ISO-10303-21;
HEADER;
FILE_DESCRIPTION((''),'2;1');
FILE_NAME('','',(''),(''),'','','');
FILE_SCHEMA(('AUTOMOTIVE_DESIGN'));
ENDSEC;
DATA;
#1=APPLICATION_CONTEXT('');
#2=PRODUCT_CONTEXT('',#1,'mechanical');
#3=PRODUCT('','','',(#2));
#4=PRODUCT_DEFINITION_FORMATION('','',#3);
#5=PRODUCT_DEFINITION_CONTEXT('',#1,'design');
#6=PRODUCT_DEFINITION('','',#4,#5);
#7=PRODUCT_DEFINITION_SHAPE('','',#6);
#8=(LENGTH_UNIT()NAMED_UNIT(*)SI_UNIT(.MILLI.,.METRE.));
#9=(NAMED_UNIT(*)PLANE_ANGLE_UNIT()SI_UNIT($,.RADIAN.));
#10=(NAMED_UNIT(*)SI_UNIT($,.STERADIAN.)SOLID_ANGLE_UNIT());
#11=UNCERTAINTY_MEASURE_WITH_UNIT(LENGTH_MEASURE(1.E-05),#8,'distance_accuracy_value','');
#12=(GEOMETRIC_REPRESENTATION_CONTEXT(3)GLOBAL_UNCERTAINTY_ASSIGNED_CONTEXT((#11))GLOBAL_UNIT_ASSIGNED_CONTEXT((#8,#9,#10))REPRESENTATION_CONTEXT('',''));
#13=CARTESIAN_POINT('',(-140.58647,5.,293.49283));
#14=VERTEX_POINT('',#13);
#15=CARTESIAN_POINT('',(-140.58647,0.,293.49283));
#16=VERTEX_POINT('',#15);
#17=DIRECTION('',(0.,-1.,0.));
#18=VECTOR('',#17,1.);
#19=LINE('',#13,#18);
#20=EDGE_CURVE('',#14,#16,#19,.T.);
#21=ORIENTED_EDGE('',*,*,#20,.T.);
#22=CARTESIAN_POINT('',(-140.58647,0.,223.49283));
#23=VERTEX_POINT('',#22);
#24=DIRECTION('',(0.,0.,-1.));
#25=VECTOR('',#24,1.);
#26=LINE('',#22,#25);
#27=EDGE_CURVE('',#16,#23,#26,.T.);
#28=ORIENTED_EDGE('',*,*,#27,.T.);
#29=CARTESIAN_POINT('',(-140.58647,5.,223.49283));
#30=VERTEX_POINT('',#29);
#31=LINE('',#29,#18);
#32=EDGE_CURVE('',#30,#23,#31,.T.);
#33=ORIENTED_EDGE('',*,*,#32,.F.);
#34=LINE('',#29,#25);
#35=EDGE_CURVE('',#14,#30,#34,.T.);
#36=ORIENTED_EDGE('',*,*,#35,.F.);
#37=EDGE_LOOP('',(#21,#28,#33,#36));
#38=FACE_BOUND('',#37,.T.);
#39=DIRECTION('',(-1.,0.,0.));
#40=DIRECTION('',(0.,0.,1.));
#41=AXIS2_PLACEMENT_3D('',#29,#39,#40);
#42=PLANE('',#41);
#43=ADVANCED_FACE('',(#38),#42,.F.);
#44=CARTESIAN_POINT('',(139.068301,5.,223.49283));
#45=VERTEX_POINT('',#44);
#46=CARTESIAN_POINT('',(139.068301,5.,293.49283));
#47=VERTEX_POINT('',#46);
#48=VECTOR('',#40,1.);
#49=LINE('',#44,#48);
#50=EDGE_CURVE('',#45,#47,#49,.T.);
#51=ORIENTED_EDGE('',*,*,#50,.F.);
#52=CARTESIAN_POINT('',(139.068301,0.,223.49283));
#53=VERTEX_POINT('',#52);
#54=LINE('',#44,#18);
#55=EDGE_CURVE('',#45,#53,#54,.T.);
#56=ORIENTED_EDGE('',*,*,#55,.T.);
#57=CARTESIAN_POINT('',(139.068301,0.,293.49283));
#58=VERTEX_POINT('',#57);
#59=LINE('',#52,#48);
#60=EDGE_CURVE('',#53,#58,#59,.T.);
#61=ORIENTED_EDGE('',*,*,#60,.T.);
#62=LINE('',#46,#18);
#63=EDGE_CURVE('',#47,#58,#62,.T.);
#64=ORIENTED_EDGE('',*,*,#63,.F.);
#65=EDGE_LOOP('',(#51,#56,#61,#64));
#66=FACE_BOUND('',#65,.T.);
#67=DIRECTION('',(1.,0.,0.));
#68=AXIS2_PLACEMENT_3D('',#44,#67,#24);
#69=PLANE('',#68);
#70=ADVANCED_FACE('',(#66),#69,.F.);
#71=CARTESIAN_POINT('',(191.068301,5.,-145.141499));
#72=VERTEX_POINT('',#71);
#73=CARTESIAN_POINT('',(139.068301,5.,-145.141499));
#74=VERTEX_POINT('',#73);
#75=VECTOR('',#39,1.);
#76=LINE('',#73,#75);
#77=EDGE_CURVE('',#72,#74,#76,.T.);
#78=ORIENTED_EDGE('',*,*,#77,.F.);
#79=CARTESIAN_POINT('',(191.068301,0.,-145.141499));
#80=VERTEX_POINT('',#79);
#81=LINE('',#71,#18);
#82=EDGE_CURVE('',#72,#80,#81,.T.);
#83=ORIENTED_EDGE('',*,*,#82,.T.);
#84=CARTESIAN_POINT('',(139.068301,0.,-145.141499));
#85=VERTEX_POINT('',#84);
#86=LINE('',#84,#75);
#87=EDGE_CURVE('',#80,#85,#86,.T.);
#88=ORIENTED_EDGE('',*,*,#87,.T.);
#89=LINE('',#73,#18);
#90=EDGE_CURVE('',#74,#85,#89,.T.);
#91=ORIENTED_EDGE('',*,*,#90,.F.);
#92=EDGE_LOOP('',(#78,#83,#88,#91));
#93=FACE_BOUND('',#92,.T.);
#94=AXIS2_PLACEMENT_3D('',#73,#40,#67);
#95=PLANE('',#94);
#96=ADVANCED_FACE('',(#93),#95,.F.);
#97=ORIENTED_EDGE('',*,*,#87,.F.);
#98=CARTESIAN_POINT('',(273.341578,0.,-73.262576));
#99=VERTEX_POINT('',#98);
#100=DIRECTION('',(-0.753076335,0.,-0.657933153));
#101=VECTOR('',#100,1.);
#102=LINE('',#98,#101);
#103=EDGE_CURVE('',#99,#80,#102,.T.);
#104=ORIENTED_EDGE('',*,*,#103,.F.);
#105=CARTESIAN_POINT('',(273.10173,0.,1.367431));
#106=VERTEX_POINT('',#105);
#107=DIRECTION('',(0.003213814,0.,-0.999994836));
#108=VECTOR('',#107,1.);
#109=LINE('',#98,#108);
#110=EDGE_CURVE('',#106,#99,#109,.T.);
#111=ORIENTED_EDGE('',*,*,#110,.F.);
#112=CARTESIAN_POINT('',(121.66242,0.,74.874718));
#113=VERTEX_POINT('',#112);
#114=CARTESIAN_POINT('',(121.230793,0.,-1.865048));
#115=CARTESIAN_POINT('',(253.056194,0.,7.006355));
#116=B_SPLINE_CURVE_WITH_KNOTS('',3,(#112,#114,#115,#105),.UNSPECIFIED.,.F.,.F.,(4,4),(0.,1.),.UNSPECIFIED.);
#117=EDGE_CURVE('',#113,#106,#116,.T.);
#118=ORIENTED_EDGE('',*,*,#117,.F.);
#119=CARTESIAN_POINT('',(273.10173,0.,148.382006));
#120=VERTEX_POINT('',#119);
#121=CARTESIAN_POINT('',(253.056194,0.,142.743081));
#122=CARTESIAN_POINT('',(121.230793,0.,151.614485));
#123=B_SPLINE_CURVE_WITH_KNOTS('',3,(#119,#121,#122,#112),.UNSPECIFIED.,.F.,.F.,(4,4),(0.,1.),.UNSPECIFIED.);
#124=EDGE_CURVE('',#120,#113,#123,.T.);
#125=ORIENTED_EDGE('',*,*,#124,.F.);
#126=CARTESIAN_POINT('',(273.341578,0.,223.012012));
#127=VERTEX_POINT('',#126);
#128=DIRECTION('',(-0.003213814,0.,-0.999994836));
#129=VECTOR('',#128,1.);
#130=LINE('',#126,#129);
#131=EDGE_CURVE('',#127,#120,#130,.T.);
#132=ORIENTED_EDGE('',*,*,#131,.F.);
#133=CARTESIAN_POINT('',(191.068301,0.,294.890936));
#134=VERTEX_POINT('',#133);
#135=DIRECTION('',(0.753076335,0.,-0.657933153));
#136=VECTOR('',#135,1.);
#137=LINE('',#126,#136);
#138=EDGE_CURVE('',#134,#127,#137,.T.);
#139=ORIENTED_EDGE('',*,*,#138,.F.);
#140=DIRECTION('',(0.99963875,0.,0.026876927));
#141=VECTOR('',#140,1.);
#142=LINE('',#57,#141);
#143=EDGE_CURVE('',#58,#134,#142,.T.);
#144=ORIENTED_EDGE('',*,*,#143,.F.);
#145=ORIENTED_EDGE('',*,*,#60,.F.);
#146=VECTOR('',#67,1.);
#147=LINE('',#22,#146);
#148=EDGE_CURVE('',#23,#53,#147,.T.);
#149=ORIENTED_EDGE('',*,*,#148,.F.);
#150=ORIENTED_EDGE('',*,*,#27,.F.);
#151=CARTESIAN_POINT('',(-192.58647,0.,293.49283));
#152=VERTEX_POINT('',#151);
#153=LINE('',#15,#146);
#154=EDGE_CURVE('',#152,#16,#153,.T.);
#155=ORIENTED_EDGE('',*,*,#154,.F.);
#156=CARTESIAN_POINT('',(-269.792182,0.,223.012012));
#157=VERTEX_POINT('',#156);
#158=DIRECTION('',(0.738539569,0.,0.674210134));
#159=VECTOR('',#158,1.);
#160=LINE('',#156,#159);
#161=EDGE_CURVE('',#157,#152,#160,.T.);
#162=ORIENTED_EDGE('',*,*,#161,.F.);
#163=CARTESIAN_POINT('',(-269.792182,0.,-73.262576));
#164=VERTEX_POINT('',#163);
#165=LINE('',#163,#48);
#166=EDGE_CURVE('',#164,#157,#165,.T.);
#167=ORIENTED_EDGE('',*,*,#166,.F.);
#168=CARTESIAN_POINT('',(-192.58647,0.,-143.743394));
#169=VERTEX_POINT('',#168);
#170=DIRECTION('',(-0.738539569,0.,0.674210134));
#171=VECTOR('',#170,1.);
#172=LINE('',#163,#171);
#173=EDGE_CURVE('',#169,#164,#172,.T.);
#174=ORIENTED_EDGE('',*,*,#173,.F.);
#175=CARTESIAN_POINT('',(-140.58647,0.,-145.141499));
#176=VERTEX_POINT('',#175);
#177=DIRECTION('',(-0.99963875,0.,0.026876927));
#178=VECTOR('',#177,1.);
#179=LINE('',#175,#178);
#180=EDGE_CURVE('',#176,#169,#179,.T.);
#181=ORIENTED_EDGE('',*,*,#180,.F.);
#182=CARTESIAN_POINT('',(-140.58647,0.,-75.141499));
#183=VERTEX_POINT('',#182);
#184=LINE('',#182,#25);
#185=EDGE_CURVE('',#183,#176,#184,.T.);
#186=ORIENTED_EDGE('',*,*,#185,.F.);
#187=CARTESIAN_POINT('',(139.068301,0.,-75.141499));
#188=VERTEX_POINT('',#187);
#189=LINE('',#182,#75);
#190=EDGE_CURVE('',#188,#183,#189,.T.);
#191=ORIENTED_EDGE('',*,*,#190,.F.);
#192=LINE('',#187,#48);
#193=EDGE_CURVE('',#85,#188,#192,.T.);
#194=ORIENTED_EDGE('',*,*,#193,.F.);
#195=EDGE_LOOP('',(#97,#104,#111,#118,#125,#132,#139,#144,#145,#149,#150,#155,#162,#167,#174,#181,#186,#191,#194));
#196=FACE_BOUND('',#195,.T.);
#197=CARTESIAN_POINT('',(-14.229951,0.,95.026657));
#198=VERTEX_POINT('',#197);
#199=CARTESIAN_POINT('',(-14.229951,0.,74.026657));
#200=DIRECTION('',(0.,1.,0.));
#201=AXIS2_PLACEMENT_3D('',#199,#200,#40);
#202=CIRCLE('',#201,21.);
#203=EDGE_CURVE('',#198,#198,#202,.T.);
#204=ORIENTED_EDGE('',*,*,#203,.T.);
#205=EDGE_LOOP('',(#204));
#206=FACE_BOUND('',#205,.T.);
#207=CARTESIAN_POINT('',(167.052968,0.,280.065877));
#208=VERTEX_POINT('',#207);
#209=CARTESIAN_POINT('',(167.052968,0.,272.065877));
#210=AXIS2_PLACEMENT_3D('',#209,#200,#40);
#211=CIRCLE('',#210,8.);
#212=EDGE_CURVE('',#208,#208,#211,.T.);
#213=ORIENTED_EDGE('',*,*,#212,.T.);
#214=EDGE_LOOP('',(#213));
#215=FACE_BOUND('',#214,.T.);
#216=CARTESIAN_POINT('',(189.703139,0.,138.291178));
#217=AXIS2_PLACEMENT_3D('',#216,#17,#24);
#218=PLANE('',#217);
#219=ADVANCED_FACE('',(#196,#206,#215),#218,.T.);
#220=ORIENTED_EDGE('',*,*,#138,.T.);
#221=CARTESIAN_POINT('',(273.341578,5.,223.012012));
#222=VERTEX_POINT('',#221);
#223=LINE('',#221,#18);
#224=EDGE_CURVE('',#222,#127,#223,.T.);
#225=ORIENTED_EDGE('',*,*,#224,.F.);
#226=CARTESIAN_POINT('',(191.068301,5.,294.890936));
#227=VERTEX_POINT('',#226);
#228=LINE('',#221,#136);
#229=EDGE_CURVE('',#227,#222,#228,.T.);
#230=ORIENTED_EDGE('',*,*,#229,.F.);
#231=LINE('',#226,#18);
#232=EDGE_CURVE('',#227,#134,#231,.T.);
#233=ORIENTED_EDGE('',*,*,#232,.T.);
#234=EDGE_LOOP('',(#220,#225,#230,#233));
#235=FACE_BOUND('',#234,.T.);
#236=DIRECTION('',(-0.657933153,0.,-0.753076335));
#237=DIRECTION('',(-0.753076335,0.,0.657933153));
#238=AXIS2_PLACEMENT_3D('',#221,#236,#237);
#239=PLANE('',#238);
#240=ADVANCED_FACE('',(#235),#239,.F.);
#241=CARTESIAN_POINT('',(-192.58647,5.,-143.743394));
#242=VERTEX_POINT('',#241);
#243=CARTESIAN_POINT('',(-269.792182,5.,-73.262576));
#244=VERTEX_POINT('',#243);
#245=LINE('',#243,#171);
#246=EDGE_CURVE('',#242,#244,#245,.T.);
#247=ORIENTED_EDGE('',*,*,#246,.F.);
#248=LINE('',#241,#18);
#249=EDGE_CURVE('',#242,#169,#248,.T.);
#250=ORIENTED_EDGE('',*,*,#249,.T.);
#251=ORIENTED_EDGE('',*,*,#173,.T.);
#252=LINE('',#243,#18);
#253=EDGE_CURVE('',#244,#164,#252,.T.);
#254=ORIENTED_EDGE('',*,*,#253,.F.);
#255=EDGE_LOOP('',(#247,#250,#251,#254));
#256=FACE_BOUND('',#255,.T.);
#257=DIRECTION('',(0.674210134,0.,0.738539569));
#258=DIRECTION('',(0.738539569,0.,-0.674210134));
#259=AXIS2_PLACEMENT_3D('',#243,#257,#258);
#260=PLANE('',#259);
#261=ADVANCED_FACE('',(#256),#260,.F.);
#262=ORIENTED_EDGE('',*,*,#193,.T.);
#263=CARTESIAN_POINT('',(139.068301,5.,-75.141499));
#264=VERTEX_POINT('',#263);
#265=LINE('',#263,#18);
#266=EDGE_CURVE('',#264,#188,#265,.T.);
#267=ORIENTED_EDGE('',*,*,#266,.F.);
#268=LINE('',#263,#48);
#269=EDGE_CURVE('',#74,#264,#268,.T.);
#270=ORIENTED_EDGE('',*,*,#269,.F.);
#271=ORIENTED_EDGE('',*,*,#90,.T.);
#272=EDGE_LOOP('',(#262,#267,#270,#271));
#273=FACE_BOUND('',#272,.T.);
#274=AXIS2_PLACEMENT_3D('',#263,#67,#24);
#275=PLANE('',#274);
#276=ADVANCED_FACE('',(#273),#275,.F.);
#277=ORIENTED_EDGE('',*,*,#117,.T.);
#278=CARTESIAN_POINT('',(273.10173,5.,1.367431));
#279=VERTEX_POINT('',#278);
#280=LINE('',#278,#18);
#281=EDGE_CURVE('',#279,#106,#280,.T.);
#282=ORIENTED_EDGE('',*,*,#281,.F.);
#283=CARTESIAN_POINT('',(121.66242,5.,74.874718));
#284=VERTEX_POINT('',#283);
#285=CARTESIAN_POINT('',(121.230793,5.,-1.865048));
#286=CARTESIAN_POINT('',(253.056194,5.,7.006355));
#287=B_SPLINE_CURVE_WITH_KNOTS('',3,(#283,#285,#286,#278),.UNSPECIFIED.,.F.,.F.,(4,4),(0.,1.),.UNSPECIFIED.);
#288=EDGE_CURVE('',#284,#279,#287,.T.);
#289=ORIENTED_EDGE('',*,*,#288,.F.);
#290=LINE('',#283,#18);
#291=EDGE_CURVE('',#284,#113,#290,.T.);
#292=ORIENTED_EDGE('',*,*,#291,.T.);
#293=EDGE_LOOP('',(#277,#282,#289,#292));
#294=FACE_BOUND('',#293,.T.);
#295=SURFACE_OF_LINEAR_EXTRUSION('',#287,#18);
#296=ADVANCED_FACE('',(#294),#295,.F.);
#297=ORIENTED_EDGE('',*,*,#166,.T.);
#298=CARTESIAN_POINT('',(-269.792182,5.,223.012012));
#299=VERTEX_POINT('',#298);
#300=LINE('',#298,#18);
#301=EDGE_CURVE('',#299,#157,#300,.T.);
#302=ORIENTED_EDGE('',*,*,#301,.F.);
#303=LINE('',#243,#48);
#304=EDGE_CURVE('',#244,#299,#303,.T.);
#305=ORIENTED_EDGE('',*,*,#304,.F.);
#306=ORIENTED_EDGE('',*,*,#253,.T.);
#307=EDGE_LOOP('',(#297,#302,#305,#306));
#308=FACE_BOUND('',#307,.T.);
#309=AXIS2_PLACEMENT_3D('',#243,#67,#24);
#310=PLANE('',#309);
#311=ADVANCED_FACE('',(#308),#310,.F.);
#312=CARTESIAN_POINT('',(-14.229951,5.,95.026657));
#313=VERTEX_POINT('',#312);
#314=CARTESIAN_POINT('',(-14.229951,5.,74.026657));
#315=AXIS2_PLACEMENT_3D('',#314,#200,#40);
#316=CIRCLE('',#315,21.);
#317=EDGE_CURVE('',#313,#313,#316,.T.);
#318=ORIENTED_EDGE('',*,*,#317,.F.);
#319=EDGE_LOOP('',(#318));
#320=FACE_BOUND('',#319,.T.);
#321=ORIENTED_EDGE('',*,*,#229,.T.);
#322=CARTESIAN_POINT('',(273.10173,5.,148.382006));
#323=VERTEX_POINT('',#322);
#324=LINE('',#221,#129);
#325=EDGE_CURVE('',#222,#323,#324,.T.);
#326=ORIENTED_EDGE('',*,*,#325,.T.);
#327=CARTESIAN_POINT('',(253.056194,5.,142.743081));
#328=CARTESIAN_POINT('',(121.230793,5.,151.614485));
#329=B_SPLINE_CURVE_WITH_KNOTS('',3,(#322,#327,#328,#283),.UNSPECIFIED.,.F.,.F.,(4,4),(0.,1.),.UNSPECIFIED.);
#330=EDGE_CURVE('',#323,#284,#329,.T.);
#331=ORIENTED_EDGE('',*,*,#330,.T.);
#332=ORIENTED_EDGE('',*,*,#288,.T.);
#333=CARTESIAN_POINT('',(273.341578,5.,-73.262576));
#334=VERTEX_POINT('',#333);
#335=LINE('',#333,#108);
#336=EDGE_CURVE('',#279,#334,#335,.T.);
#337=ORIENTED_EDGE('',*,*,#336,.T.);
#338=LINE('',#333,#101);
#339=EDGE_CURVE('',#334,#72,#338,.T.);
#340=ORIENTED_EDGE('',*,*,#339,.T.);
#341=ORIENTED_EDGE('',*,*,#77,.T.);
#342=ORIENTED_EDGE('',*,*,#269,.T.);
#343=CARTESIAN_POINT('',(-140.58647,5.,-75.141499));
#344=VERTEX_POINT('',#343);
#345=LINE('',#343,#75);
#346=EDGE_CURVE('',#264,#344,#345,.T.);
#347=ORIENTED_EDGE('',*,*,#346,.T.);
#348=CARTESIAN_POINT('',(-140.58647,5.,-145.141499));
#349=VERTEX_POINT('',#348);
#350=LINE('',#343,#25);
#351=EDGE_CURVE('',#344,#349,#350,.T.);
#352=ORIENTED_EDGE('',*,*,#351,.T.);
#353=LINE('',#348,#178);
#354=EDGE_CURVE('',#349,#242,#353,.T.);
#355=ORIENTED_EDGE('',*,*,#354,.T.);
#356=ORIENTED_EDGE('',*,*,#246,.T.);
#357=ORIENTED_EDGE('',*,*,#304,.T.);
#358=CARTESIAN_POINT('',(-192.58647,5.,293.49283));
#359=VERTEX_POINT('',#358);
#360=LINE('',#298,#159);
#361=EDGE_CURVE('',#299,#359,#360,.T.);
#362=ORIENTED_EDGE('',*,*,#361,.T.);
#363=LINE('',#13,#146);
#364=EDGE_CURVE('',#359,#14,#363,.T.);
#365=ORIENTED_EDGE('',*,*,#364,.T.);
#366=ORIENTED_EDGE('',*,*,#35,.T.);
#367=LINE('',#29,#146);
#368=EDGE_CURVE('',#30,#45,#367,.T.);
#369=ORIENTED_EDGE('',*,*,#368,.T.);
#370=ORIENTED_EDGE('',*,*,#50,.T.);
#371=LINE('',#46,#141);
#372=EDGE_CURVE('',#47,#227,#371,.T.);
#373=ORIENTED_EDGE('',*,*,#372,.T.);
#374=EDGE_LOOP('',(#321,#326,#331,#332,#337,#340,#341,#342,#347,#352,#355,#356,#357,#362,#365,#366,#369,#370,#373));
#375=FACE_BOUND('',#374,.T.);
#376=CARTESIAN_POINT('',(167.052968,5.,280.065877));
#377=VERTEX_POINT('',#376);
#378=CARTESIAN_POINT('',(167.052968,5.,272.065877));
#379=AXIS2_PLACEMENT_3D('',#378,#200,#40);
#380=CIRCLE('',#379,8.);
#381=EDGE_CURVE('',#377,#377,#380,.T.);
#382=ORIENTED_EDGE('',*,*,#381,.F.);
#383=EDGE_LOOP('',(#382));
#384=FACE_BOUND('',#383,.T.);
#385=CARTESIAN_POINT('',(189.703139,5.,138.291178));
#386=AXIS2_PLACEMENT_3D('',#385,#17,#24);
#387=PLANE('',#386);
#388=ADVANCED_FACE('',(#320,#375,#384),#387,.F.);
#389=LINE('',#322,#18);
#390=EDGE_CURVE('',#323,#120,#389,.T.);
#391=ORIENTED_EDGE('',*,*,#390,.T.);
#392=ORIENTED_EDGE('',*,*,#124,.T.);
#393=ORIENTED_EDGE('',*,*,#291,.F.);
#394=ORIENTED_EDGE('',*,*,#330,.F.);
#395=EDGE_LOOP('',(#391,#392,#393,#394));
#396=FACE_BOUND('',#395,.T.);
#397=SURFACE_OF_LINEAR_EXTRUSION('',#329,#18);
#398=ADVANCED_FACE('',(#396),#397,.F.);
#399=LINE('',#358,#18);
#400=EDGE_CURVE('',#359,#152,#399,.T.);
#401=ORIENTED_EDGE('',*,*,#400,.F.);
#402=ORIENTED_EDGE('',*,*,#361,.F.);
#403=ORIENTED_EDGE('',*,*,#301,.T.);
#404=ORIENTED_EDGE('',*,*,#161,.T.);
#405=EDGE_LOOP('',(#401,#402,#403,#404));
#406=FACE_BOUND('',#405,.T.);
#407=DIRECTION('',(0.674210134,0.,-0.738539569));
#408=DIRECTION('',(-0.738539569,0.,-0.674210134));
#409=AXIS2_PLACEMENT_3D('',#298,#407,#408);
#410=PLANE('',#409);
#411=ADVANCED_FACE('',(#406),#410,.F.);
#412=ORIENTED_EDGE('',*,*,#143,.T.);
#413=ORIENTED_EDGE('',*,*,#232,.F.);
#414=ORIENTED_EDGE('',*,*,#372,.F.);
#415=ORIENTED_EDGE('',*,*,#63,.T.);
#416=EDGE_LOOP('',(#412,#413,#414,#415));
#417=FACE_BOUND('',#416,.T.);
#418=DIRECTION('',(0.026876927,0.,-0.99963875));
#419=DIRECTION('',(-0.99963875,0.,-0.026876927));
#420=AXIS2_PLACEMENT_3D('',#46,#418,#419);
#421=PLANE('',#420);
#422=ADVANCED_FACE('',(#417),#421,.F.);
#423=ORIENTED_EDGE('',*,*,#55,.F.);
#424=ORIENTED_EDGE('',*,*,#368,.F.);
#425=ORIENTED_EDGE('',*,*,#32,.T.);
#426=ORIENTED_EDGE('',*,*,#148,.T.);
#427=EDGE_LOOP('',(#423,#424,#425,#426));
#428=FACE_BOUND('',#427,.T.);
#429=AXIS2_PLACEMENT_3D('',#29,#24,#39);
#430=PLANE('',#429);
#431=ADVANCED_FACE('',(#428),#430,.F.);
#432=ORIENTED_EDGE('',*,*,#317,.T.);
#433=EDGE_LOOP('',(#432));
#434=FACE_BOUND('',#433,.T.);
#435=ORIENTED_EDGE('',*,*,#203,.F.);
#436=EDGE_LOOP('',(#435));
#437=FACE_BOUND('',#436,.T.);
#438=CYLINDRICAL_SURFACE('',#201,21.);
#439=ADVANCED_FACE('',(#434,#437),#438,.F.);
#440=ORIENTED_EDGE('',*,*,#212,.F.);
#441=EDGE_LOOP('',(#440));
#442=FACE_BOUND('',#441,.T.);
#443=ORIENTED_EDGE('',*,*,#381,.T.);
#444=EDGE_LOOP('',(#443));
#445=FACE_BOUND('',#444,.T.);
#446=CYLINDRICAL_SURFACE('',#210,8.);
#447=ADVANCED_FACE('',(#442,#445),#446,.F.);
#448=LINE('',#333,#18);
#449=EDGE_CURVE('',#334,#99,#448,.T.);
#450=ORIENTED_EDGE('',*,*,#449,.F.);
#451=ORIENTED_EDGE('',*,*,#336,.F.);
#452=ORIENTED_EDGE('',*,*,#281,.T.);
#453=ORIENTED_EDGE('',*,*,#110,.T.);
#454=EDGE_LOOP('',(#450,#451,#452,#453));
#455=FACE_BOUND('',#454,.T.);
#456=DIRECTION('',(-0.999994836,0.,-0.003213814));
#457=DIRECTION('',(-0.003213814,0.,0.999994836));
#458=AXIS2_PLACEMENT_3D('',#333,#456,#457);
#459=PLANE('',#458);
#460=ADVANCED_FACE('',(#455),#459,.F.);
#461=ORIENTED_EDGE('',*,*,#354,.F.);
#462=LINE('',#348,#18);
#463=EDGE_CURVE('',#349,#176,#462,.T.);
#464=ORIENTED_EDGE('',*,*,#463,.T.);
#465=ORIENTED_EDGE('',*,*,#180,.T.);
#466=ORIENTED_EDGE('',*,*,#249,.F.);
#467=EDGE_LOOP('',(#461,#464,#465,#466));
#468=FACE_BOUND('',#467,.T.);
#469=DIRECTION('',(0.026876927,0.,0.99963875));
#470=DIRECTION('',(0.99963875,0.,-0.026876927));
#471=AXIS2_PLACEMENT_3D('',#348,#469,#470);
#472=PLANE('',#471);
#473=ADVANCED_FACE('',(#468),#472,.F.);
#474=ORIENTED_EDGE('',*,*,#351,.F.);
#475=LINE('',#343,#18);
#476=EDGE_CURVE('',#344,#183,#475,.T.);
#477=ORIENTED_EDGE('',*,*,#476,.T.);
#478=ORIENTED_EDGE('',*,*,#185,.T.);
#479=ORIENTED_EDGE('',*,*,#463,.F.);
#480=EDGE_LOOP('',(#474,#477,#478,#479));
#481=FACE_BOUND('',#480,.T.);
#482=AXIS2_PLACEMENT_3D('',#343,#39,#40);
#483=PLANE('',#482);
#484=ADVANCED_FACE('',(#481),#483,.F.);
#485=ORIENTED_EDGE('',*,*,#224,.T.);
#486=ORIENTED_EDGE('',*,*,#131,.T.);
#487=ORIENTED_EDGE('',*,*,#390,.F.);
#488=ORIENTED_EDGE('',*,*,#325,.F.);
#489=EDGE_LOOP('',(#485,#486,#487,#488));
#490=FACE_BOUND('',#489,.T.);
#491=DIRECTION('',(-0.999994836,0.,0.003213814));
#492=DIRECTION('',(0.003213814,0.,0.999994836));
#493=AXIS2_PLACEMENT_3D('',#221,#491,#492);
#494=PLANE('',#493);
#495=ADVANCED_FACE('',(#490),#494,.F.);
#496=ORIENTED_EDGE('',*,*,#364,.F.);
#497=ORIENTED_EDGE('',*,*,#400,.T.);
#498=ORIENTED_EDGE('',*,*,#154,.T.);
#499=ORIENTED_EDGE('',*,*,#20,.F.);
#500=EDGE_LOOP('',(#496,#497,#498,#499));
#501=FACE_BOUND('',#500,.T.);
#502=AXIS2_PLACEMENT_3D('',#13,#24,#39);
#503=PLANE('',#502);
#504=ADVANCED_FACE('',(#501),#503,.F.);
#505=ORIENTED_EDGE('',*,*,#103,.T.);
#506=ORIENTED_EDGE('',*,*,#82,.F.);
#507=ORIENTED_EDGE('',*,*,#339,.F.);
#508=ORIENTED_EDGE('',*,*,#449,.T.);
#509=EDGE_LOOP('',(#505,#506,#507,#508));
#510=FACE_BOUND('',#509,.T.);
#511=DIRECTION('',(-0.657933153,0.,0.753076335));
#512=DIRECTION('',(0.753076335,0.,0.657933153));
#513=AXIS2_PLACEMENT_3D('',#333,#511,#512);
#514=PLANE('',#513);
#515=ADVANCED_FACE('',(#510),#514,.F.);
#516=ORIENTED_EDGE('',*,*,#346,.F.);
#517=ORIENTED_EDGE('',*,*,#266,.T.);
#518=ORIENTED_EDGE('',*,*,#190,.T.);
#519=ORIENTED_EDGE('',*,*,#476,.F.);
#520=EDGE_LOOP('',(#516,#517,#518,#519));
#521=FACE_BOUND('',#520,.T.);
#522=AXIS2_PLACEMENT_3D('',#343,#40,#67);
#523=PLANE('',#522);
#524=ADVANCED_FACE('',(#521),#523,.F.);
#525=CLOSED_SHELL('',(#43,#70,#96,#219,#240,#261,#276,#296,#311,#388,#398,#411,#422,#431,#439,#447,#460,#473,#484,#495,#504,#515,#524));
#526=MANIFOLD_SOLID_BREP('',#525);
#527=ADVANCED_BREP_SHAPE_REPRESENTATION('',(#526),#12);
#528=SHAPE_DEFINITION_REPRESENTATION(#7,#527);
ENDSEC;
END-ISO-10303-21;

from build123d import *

# Parameters (mm, degrees)
EXTRUDE_1_DEPTH     = 5
SKETCH_2_R          = 21
CUT_EXTRUDE_1_DEPTH = 403.120979525
SKETCH1_R           = 8
CUT_EXTRUDE1_DEPTH  = 403.120979525


with BuildPart() as part:
    # Эскиз1 → Вытянуть1 (new body)
    with BuildSketch(Plane(origin=(0, 0, 0), x_dir=(1, 0, 0), z_dir=(0, 1, 0))):
        with BuildLine():
            Line((-269.7921816, 73.262575573), (-269.7921816, -223.012011978))
            Line((-269.7921816, -223.012011978), (-192.586469874, -293.492830448))
            Line((-192.586469874, -293.492830448), (-140.586469874, -293.492830448))
            Line((-140.586469874, -293.492830448), (-140.586469874, -223.492830448))
            Line((-140.586469874, -223.492830448), (139.068300868, -223.492830448))
            Line((139.068300868, -223.492830448), (139.068300868, -293.492830448))
            Line((139.068300868, -293.492830448), (191.068300868, -294.890935713))
            Line((191.068300868, -294.890935713), (273.341577689, -223.012011978))
            Line((273.341577689, -223.012011978), (273.101729514, -148.382005757))
            add(Edge.make_bspline(
                [(273.101729514, -148.382005757), (253.056193705, -142.743081174), (121.230792792, -151.614484767), (121.662419817, -74.874718203)],
                knots=[0, 0, 0, 0, 1, 1, 1, 1], degree=3))
            add(Edge.make_bspline(
                [(273.101729514, -1.367430648), (253.056193705, -7.006355231), (121.230792792, 1.865048362), (121.662419817, -74.874718203)],
                knots=[0, 0, 0, 0, 1, 1, 1, 1], degree=3))
            Line((273.101729514, -1.367430648), (273.341577689, 73.262575573))
            Line((273.341577689, 73.262575573), (191.068300868, 145.141499308))
            Line((191.068300868, 145.141499308), (139.068300868, 145.141499308))
            Line((139.068300868, 145.141499308), (139.068300868, 75.141499308))
            Line((139.068300868, 75.141499308), (-140.586469874, 75.141499308))
            Line((-140.586469874, 75.141499308), (-140.586469874, 145.141499308))
            Line((-140.586469874, 145.141499308), (-192.586469874, 143.743394043))
            Line((-192.586469874, 143.743394043), (-269.7921816, 73.262575573))
        make_face()
    extrude(amount=EXTRUDE_1_DEPTH)

    # Эскиз2 → Вырез-Вытянуть1 (cut, through all)
    with BuildSketch(Plane(origin=(0, 5, 0), x_dir=(-1, 0, 0), z_dir=(0, 1, 0))):
        with Locations(Location((14.229950912, 74.026657254, 0), (0, 0, 90))):
            Circle(SKETCH_2_R)
    extrude(amount=-CUT_EXTRUDE_1_DEPTH, mode=Mode.SUBTRACT)

    # Sketch1 → Cut-Extrude1 (cut, through all)
    with BuildSketch(Plane(origin=(0, 5, 0), x_dir=(1, 0, 0), z_dir=(0, 1, 0))):
        with Locations(Location((167.052967516, -272.065876514, 0), (0, 0, 270))):
            Circle(SKETCH1_R)
    extrude(amount=-CUT_EXTRUDE1_DEPTH, mode=Mode.SUBTRACT)


solid = part.part
